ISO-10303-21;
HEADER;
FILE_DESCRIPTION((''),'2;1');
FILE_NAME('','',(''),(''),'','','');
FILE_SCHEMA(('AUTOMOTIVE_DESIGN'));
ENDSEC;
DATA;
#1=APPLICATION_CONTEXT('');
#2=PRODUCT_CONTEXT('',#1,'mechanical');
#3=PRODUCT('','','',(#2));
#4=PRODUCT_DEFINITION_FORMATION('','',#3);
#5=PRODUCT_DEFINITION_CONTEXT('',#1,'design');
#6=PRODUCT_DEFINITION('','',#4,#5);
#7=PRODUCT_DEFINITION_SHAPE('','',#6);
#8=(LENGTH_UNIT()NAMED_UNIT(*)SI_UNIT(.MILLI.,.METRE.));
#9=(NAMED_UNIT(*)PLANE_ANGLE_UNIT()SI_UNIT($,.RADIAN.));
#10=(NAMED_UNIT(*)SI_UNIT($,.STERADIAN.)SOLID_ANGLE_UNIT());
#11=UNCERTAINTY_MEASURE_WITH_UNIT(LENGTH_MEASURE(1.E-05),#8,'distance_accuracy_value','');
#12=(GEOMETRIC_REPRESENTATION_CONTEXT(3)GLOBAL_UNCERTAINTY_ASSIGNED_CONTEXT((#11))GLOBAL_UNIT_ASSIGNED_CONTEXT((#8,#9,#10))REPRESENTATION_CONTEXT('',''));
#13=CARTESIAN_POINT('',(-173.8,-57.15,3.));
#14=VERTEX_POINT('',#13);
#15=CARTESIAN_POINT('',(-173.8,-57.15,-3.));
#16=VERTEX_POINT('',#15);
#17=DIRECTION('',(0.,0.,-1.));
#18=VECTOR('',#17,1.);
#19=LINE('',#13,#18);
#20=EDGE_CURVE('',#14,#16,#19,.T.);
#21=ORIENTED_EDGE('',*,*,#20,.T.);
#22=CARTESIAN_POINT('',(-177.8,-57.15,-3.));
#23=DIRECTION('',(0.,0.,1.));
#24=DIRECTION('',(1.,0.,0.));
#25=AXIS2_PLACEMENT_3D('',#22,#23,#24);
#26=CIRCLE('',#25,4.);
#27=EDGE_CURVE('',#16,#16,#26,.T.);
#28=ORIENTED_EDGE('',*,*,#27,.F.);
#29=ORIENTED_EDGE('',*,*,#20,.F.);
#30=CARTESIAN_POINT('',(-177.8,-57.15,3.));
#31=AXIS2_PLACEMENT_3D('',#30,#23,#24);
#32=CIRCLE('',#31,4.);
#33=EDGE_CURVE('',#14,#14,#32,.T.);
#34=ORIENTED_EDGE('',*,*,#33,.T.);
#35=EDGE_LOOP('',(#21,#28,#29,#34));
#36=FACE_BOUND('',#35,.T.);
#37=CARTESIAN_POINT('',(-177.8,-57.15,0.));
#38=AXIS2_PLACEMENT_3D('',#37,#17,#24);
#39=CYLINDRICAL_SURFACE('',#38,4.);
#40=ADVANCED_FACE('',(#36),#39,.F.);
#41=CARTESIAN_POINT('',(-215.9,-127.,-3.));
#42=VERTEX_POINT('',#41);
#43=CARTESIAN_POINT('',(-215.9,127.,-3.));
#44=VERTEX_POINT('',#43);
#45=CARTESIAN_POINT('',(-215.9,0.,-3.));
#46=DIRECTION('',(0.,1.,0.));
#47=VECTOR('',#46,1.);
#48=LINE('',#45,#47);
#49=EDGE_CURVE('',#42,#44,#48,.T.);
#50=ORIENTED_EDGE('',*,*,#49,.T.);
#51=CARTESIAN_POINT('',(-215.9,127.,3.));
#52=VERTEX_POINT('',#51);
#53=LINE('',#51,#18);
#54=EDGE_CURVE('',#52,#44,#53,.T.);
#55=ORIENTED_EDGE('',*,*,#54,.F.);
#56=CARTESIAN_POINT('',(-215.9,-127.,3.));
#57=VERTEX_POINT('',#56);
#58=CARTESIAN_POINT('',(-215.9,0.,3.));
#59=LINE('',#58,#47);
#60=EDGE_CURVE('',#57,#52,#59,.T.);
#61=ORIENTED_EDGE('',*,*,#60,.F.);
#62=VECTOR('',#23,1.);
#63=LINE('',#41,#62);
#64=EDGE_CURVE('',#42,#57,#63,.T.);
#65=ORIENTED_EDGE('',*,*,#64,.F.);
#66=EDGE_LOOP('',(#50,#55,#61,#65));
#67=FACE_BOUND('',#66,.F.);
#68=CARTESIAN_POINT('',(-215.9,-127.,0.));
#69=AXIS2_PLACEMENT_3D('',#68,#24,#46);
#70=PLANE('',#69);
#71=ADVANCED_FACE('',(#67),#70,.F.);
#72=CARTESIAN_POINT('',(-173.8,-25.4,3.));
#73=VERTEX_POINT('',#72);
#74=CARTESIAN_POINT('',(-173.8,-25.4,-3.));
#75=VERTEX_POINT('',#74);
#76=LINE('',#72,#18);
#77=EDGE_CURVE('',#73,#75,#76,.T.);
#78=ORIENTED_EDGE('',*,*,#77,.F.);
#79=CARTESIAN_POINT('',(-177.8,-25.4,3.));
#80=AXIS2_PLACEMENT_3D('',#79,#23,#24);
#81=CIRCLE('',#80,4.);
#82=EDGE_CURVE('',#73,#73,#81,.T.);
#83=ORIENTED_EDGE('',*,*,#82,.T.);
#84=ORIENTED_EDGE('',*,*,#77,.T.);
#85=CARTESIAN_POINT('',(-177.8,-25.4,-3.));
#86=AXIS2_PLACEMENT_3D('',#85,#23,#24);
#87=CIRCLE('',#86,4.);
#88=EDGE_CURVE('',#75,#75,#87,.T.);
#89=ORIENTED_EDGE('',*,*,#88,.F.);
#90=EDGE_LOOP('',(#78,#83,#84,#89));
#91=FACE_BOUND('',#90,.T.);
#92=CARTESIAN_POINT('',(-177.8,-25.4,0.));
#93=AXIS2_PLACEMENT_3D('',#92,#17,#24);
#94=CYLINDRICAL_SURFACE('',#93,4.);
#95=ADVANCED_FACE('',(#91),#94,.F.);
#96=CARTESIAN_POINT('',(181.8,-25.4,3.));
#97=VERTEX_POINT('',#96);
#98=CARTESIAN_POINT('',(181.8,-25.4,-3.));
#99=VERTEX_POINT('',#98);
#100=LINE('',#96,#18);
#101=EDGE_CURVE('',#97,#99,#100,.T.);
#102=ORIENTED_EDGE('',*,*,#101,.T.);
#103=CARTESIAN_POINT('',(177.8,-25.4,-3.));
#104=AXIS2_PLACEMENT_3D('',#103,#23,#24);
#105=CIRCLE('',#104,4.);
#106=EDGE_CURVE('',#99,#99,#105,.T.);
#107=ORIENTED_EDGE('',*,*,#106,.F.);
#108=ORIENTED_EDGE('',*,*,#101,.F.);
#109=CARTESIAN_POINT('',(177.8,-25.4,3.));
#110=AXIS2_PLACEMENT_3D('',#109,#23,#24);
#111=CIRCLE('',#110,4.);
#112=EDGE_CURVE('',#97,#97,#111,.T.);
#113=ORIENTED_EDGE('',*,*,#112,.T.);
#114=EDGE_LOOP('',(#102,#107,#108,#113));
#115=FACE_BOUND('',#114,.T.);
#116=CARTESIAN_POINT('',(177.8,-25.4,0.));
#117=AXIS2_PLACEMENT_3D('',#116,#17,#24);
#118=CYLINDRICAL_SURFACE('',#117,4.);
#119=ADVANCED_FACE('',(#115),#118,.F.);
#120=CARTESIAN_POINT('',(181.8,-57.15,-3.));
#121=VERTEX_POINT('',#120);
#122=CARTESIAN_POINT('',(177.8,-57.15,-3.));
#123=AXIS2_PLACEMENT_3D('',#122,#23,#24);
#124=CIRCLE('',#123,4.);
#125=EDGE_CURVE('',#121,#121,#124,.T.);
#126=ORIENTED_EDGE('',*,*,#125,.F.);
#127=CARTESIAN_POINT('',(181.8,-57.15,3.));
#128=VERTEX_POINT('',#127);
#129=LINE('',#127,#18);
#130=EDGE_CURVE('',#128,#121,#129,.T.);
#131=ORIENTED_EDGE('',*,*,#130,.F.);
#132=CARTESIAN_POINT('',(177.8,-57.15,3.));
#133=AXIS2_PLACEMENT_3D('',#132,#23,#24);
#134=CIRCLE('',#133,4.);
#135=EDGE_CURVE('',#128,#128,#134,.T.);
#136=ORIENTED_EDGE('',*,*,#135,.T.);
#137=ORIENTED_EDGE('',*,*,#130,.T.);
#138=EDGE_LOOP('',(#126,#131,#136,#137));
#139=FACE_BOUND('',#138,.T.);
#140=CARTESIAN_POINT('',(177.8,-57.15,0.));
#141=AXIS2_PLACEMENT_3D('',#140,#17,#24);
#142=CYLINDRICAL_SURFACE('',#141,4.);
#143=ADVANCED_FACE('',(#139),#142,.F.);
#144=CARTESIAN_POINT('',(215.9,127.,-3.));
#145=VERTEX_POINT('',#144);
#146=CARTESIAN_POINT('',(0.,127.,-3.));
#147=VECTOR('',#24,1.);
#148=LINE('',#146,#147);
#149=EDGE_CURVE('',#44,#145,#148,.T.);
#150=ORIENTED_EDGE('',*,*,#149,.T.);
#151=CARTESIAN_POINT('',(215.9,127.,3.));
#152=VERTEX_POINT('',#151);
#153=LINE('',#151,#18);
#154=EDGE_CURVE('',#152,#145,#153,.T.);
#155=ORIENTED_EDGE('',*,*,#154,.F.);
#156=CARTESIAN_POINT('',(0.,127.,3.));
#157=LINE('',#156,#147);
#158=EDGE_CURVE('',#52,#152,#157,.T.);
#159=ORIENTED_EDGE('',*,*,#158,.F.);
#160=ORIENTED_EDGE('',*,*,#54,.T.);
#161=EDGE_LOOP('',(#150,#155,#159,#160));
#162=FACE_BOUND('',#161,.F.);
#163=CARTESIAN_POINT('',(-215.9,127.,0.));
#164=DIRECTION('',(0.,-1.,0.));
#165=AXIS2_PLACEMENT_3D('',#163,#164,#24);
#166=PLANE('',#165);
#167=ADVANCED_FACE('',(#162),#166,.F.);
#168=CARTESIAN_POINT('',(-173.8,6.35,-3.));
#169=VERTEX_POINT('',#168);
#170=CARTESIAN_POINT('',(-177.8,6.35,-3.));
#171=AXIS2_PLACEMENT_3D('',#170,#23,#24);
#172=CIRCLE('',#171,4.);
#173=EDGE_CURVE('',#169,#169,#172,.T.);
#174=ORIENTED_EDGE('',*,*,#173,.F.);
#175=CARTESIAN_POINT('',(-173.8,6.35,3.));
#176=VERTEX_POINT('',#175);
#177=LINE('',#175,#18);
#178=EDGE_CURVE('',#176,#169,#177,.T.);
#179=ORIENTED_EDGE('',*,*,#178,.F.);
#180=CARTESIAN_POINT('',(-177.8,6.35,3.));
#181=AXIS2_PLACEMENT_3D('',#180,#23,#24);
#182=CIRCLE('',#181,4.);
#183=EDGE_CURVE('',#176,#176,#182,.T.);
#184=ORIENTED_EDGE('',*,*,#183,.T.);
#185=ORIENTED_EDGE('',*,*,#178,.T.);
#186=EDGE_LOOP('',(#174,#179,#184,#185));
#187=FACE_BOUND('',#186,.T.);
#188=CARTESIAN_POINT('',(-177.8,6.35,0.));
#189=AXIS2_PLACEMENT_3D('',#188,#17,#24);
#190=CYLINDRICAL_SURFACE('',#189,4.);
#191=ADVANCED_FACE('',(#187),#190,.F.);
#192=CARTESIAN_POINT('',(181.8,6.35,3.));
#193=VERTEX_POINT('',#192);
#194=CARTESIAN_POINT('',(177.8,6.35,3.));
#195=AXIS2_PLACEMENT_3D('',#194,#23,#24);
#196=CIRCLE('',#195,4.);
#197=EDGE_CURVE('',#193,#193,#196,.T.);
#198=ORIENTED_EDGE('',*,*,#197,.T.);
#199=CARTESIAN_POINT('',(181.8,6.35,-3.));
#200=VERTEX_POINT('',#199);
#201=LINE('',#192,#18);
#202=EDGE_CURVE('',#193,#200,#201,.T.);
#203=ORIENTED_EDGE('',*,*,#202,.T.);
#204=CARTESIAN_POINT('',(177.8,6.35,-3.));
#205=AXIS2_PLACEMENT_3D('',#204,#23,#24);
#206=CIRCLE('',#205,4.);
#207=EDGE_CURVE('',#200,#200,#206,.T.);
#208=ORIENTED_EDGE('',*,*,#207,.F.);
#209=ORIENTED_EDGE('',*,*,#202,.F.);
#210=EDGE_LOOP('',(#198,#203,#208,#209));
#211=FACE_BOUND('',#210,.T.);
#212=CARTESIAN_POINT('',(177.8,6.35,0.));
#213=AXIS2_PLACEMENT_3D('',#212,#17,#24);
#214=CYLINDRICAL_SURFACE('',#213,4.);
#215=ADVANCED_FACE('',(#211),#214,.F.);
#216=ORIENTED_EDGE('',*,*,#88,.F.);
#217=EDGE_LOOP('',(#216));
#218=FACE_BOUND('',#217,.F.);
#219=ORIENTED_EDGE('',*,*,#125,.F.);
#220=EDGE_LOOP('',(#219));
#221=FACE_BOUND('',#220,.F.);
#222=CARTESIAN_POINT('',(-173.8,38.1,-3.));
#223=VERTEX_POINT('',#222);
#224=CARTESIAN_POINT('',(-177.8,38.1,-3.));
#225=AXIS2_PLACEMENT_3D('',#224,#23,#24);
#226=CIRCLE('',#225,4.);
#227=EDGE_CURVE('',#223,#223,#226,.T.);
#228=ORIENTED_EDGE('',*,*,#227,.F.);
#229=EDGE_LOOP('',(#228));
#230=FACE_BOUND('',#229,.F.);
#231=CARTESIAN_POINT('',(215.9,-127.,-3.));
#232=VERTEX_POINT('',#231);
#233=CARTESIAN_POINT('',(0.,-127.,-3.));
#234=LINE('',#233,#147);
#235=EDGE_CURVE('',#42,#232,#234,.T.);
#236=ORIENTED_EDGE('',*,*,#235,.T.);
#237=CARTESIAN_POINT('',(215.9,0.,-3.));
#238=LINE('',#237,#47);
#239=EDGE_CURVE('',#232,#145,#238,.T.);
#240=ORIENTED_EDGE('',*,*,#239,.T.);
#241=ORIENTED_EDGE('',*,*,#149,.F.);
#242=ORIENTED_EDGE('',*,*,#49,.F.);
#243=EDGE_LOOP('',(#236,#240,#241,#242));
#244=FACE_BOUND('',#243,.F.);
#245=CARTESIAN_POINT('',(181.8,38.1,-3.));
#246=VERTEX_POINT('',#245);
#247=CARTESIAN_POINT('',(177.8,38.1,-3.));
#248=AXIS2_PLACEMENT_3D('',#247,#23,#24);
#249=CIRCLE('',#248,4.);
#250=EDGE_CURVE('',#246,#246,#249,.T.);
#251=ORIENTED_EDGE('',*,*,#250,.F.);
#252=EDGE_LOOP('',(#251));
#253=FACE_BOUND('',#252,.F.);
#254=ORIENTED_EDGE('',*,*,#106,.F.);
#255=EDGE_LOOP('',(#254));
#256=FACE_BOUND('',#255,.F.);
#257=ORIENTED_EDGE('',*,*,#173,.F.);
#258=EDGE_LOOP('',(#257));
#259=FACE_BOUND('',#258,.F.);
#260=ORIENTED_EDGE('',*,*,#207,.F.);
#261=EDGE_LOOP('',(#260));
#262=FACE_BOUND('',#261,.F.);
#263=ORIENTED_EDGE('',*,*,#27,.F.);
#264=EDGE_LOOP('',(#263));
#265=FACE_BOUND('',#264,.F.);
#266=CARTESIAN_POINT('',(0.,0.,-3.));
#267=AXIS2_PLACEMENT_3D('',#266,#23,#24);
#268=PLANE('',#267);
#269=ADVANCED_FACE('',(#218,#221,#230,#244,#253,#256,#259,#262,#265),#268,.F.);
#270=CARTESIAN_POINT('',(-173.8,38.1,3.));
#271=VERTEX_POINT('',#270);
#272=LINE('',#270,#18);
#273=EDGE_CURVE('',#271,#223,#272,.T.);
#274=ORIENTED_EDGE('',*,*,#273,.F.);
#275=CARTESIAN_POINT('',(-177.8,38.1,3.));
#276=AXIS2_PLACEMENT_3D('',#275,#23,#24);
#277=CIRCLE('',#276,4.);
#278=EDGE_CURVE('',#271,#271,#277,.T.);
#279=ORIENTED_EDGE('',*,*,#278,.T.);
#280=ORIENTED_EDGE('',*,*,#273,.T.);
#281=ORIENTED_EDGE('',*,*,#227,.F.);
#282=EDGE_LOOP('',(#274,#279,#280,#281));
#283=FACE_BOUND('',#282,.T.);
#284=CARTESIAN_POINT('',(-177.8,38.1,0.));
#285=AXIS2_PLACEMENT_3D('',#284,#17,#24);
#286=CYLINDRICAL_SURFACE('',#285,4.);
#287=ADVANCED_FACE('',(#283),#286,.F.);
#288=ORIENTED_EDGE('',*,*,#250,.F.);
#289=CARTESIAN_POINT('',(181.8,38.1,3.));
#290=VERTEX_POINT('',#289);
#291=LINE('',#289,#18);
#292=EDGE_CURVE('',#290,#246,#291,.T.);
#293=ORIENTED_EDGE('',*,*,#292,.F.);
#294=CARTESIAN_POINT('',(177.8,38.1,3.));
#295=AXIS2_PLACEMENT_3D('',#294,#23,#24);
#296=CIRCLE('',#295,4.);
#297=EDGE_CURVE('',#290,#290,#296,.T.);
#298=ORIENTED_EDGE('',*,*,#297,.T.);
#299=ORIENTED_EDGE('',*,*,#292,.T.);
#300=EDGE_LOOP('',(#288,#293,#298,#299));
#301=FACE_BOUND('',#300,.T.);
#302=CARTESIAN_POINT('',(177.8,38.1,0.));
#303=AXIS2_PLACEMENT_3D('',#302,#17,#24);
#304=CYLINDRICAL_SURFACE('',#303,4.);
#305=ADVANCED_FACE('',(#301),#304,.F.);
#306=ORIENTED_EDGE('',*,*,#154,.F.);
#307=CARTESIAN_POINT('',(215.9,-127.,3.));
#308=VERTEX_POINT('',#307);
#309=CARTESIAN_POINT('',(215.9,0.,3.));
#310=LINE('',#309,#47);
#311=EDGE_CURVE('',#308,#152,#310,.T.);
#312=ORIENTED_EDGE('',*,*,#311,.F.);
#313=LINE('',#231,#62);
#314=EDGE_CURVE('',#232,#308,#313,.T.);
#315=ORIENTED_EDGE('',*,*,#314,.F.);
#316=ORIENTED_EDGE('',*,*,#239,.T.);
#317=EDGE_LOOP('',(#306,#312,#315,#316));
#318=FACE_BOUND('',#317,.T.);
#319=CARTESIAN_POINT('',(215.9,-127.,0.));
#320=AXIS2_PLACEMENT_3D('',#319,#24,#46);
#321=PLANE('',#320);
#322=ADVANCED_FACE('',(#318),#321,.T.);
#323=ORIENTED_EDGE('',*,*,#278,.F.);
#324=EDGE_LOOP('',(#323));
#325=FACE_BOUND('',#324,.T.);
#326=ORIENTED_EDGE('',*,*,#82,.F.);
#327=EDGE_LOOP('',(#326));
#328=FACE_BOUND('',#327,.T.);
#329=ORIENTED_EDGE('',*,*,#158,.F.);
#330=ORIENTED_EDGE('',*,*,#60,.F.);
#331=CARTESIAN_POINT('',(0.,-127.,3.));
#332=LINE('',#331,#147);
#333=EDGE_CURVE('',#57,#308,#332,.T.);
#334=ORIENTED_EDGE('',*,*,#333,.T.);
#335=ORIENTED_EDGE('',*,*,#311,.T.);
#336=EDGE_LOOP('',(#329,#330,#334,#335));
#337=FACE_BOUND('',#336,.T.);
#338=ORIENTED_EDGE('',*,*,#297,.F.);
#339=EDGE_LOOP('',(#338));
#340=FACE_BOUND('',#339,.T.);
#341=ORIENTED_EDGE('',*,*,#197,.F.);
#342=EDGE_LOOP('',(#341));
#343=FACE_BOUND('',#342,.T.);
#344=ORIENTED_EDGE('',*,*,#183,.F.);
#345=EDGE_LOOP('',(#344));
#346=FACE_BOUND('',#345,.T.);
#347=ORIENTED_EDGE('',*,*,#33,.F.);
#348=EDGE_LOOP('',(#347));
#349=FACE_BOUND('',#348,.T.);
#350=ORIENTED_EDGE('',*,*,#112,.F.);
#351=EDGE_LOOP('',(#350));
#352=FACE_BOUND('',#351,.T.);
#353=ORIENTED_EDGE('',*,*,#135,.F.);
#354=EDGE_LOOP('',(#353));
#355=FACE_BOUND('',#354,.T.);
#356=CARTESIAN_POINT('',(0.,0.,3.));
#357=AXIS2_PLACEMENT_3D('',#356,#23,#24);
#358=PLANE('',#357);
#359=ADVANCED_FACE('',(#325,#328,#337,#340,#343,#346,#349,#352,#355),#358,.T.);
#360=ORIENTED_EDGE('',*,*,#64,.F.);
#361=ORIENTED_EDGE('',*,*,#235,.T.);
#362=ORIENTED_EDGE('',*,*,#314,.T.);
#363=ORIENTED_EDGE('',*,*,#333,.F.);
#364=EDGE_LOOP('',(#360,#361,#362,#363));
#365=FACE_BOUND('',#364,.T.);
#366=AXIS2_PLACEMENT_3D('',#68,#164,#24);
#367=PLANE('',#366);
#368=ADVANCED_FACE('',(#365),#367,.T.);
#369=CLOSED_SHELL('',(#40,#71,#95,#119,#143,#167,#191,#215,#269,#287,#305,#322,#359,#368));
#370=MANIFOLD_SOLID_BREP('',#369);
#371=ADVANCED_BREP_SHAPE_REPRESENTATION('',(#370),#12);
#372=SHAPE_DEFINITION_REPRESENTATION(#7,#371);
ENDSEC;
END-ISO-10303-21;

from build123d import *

# Parameters (mm, degrees)
F0_W     = 431.8
F0_H     = 254
F0_R     = 4
F1_DEPTH = 3


with BuildPart() as f1:
    # F0 (on Top) → F1 (new body, symmetric)
    with BuildSketch(Plane.XY):
        Rectangle(F0_W, F0_H)
        with Locations((-177.8, -57.15)):
            Circle(F0_R, mode=Mode.SUBTRACT)
        with Locations((-177.8, -25.4)):
            Circle(F0_R, mode=Mode.SUBTRACT)
        with Locations((177.8, -57.15)):
            Circle(F0_R, mode=Mode.SUBTRACT)
        with Locations((177.8, -25.4)):
            Circle(F0_R, mode=Mode.SUBTRACT)
        with Locations((-177.8, 6.35)):
            Circle(F0_R, mode=Mode.SUBTRACT)
        with Locations((-177.8, 38.1)):
            Circle(F0_R, mode=Mode.SUBTRACT)
        with Locations((177.8, 6.35)):
            Circle(F0_R, mode=Mode.SUBTRACT)
        with Locations((177.8, 38.1)):
            Circle(F0_R, mode=Mode.SUBTRACT)
    extrude(amount=F1_DEPTH, both=True)


solid = f1.part
